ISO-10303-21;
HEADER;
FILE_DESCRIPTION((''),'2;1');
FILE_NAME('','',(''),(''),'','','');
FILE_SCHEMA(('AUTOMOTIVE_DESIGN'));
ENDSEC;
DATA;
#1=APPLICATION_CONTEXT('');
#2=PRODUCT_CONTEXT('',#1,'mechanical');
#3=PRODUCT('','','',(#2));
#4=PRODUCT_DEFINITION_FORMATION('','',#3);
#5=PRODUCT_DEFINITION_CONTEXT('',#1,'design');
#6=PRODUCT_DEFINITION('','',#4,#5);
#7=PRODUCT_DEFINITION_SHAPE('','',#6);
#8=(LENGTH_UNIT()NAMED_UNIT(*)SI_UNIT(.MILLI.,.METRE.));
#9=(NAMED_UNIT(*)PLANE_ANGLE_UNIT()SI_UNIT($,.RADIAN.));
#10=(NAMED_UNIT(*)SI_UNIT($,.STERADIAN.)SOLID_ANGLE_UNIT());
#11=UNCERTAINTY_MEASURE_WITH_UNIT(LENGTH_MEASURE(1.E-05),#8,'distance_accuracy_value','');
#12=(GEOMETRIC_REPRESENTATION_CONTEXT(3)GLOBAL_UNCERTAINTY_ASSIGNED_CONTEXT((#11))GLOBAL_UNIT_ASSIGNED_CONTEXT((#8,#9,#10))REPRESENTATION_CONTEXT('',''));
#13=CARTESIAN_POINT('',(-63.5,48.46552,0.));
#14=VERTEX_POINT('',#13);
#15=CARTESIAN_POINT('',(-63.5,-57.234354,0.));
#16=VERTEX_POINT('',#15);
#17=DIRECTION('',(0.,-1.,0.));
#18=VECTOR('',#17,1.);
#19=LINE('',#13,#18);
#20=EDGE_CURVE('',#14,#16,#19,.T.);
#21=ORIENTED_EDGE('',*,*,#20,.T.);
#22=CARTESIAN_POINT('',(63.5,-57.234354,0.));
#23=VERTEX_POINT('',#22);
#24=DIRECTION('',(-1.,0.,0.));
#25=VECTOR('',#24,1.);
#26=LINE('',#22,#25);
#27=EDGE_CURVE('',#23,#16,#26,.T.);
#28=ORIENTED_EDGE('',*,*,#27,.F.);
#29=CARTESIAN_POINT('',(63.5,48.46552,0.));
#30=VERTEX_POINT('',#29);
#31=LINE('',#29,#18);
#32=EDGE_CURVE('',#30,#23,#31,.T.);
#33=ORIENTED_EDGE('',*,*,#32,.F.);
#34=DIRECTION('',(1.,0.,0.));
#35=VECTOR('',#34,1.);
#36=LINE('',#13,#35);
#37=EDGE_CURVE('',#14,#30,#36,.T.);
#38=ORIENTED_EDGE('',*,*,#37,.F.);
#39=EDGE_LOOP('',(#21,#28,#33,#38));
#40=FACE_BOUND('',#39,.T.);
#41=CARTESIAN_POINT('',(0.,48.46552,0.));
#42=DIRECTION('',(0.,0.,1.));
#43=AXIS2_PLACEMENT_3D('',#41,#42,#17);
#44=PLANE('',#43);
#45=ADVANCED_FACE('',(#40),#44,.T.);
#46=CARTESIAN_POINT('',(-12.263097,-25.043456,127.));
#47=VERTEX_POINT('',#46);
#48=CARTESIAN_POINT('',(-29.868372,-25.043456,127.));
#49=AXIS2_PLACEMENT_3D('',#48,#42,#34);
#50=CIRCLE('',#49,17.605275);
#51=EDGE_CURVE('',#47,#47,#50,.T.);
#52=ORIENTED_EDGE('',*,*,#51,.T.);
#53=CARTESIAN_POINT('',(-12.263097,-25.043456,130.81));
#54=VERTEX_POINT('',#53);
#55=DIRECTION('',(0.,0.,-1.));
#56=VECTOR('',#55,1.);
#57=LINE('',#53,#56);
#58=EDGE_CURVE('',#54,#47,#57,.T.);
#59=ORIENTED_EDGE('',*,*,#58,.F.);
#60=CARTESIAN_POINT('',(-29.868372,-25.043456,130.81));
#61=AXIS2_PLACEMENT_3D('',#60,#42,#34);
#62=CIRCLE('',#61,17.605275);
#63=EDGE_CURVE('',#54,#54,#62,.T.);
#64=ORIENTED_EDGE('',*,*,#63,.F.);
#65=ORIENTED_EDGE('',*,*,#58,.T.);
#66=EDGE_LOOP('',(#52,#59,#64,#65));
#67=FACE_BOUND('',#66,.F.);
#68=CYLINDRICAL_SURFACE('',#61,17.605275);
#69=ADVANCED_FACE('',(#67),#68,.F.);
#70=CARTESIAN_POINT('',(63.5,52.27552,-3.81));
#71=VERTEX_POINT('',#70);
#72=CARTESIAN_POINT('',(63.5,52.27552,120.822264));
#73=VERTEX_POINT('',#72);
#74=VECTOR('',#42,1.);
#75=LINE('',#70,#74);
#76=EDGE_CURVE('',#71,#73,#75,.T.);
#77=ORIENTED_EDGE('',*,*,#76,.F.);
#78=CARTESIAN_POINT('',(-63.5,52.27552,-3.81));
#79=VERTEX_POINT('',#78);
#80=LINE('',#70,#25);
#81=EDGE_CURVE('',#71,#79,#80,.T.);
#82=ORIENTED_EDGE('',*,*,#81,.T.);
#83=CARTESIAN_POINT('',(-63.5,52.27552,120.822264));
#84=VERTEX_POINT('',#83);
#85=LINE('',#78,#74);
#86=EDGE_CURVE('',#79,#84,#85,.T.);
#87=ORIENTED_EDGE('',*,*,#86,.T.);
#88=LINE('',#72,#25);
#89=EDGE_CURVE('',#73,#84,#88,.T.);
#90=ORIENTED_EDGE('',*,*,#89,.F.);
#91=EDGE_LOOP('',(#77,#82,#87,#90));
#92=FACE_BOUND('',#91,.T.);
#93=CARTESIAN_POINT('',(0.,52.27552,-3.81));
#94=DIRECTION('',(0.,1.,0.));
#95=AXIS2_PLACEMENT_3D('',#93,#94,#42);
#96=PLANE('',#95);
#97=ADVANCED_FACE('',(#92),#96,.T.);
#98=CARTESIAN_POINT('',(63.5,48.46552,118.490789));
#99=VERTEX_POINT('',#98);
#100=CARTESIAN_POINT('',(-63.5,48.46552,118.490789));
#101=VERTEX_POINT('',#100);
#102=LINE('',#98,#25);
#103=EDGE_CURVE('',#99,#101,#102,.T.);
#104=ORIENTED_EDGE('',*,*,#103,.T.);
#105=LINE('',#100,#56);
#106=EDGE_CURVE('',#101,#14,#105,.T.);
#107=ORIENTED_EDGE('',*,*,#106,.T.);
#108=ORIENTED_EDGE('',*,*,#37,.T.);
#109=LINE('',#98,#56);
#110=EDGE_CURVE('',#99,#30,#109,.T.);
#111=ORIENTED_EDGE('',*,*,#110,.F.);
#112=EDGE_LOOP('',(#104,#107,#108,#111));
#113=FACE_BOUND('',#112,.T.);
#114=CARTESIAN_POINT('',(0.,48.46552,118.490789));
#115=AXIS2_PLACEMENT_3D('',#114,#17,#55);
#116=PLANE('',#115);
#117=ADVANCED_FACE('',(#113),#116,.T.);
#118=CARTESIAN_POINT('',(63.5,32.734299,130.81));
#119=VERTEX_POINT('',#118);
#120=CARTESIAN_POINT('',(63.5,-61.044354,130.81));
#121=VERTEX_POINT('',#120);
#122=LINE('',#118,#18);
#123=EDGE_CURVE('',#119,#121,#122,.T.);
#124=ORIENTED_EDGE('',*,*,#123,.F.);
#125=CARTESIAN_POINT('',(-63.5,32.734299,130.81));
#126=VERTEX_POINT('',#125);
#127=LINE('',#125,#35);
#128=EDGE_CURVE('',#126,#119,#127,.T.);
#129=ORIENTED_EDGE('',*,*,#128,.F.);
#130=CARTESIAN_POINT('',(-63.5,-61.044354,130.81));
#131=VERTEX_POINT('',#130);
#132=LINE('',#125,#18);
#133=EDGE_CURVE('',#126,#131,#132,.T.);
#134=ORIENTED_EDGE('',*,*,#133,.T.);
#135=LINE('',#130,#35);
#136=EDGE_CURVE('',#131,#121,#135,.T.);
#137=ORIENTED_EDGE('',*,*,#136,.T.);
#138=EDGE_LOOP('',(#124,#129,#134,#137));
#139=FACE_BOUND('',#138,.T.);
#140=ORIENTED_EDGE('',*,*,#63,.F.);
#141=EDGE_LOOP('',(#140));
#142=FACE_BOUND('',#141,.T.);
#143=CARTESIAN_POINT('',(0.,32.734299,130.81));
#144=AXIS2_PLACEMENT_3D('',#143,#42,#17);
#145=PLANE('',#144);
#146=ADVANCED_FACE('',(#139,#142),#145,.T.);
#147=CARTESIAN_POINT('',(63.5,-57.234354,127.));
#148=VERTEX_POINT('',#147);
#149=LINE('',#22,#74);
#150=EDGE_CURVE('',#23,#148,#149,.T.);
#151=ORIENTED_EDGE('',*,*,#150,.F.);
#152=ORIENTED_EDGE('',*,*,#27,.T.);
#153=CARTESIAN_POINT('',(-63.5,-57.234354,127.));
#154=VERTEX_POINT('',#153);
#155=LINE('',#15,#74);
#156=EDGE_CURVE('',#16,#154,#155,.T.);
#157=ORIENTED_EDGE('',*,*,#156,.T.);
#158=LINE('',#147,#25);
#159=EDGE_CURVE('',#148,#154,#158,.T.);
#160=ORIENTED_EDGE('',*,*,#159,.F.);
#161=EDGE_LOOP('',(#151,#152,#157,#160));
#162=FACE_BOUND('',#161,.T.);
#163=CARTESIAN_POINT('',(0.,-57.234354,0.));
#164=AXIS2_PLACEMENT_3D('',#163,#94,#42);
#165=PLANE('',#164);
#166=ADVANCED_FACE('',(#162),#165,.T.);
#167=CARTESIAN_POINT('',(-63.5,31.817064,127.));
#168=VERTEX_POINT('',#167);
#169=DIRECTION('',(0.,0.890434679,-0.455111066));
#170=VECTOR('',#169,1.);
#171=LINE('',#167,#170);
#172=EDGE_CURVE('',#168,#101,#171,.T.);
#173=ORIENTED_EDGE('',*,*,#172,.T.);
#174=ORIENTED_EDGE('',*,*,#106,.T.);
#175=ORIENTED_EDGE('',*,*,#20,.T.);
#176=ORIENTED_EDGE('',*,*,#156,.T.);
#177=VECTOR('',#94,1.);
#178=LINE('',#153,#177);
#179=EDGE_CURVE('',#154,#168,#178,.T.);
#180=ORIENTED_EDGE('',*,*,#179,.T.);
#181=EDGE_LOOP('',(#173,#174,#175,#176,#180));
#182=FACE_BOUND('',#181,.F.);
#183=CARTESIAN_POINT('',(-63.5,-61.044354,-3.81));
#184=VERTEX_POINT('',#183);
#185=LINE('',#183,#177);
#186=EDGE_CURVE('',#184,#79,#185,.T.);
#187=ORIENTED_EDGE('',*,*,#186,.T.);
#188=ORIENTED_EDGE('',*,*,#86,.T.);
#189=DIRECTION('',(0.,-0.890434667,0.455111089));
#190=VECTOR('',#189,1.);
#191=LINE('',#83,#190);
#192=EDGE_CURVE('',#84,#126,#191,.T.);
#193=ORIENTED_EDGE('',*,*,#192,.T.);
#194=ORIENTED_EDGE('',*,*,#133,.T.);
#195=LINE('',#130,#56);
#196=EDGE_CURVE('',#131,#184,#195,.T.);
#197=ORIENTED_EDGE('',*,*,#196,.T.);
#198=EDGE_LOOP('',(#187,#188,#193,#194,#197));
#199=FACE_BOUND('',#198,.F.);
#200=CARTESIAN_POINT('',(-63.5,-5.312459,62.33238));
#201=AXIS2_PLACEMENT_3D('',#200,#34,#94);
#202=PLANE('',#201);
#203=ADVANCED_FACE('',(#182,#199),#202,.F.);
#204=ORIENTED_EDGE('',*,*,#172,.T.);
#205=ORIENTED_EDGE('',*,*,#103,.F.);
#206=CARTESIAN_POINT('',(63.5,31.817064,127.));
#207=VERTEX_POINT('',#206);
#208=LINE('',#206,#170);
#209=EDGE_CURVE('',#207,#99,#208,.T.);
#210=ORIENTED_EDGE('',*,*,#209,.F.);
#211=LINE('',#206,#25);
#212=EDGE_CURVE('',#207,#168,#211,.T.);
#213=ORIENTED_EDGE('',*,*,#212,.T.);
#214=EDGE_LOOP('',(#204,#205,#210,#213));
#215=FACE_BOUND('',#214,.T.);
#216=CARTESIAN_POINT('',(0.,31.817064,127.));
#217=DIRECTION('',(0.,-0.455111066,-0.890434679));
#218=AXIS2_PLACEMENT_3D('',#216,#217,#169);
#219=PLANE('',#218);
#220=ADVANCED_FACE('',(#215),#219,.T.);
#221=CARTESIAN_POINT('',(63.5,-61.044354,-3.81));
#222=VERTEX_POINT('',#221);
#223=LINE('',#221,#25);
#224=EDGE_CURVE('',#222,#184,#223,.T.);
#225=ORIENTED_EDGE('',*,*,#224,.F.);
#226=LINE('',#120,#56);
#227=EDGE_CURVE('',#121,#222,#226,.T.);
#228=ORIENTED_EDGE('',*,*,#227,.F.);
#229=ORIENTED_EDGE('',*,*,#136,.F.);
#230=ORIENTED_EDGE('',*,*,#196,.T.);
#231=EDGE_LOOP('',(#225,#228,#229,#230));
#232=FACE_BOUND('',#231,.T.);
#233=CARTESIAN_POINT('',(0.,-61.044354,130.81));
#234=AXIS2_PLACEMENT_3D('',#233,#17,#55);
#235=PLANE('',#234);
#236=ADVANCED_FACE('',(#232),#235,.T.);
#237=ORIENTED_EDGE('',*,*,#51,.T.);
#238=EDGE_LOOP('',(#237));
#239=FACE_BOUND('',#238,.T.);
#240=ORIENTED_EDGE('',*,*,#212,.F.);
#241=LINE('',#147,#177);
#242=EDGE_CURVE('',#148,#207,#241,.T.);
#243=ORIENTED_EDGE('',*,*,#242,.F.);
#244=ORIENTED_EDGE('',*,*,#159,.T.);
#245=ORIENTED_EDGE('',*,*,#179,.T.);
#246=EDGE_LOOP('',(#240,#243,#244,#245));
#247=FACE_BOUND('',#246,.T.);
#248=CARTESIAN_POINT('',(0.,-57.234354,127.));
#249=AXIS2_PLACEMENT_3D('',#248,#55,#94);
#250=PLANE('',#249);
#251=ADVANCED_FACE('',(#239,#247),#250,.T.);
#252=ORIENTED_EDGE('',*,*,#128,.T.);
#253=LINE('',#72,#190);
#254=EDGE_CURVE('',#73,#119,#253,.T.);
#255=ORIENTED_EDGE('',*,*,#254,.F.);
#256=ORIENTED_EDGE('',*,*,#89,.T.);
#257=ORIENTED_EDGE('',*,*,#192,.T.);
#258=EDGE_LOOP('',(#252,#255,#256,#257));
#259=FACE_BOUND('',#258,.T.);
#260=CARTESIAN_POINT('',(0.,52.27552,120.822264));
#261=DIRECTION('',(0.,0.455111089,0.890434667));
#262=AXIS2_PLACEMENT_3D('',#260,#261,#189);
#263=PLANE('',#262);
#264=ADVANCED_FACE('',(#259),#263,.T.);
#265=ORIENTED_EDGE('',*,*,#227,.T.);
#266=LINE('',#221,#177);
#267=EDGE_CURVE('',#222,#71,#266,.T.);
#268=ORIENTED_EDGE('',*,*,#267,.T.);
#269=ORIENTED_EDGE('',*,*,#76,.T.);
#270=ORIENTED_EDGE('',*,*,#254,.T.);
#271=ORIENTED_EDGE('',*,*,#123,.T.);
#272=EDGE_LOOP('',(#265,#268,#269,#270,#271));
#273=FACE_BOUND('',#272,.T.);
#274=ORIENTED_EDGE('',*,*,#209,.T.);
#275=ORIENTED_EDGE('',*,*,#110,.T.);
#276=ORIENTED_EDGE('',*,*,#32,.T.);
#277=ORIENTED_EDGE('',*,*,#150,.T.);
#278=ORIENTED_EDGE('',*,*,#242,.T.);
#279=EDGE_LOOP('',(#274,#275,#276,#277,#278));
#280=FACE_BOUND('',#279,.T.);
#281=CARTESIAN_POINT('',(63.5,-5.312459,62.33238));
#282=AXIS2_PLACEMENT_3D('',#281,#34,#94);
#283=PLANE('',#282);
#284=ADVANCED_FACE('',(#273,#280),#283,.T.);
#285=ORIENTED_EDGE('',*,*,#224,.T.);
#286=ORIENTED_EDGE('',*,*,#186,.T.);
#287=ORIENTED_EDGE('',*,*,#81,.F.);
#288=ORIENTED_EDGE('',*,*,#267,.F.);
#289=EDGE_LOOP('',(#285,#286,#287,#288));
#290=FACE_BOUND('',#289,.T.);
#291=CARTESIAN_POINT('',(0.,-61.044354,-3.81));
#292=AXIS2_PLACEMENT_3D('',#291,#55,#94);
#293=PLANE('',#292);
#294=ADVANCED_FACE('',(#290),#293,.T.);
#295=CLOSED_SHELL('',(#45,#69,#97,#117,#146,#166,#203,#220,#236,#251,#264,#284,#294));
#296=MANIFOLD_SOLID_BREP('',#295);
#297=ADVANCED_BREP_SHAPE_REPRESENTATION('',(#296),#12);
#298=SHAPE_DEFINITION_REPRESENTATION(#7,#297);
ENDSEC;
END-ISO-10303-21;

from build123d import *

# Parameters (mm, degrees)
F1_DEPTH = 63.5
F2_R     = 17.605275
F3_DEPTH = 3.81


with BuildPart() as f1:
    # F0 (on Right) → F1 (new body, symmetric)
    with BuildSketch(Plane.YZ):
        Polygon((52.27552, 120.822264), (32.734299, 130.81), (-61.044354, 130.81), (-61.044354, -3.81), (52.27552, -3.81), align=None)
        Polygon((48.46552, 0), (-57.234354, 0), (-57.234354, 127), (31.817064, 127), (48.46552, 118.490789), align=None, mode=Mode.SUBTRACT)
    extrude(amount=F1_DEPTH, both=True)

    # F2 (on face) → F3 (cut, through all)
    with BuildSketch(Plane.XY.offset(130.81)):
        with Locations((-29.868372, -25.043456)):
            Circle(F2_R)
    extrude(amount=-F3_DEPTH, mode=Mode.SUBTRACT)


solid = f1.part
